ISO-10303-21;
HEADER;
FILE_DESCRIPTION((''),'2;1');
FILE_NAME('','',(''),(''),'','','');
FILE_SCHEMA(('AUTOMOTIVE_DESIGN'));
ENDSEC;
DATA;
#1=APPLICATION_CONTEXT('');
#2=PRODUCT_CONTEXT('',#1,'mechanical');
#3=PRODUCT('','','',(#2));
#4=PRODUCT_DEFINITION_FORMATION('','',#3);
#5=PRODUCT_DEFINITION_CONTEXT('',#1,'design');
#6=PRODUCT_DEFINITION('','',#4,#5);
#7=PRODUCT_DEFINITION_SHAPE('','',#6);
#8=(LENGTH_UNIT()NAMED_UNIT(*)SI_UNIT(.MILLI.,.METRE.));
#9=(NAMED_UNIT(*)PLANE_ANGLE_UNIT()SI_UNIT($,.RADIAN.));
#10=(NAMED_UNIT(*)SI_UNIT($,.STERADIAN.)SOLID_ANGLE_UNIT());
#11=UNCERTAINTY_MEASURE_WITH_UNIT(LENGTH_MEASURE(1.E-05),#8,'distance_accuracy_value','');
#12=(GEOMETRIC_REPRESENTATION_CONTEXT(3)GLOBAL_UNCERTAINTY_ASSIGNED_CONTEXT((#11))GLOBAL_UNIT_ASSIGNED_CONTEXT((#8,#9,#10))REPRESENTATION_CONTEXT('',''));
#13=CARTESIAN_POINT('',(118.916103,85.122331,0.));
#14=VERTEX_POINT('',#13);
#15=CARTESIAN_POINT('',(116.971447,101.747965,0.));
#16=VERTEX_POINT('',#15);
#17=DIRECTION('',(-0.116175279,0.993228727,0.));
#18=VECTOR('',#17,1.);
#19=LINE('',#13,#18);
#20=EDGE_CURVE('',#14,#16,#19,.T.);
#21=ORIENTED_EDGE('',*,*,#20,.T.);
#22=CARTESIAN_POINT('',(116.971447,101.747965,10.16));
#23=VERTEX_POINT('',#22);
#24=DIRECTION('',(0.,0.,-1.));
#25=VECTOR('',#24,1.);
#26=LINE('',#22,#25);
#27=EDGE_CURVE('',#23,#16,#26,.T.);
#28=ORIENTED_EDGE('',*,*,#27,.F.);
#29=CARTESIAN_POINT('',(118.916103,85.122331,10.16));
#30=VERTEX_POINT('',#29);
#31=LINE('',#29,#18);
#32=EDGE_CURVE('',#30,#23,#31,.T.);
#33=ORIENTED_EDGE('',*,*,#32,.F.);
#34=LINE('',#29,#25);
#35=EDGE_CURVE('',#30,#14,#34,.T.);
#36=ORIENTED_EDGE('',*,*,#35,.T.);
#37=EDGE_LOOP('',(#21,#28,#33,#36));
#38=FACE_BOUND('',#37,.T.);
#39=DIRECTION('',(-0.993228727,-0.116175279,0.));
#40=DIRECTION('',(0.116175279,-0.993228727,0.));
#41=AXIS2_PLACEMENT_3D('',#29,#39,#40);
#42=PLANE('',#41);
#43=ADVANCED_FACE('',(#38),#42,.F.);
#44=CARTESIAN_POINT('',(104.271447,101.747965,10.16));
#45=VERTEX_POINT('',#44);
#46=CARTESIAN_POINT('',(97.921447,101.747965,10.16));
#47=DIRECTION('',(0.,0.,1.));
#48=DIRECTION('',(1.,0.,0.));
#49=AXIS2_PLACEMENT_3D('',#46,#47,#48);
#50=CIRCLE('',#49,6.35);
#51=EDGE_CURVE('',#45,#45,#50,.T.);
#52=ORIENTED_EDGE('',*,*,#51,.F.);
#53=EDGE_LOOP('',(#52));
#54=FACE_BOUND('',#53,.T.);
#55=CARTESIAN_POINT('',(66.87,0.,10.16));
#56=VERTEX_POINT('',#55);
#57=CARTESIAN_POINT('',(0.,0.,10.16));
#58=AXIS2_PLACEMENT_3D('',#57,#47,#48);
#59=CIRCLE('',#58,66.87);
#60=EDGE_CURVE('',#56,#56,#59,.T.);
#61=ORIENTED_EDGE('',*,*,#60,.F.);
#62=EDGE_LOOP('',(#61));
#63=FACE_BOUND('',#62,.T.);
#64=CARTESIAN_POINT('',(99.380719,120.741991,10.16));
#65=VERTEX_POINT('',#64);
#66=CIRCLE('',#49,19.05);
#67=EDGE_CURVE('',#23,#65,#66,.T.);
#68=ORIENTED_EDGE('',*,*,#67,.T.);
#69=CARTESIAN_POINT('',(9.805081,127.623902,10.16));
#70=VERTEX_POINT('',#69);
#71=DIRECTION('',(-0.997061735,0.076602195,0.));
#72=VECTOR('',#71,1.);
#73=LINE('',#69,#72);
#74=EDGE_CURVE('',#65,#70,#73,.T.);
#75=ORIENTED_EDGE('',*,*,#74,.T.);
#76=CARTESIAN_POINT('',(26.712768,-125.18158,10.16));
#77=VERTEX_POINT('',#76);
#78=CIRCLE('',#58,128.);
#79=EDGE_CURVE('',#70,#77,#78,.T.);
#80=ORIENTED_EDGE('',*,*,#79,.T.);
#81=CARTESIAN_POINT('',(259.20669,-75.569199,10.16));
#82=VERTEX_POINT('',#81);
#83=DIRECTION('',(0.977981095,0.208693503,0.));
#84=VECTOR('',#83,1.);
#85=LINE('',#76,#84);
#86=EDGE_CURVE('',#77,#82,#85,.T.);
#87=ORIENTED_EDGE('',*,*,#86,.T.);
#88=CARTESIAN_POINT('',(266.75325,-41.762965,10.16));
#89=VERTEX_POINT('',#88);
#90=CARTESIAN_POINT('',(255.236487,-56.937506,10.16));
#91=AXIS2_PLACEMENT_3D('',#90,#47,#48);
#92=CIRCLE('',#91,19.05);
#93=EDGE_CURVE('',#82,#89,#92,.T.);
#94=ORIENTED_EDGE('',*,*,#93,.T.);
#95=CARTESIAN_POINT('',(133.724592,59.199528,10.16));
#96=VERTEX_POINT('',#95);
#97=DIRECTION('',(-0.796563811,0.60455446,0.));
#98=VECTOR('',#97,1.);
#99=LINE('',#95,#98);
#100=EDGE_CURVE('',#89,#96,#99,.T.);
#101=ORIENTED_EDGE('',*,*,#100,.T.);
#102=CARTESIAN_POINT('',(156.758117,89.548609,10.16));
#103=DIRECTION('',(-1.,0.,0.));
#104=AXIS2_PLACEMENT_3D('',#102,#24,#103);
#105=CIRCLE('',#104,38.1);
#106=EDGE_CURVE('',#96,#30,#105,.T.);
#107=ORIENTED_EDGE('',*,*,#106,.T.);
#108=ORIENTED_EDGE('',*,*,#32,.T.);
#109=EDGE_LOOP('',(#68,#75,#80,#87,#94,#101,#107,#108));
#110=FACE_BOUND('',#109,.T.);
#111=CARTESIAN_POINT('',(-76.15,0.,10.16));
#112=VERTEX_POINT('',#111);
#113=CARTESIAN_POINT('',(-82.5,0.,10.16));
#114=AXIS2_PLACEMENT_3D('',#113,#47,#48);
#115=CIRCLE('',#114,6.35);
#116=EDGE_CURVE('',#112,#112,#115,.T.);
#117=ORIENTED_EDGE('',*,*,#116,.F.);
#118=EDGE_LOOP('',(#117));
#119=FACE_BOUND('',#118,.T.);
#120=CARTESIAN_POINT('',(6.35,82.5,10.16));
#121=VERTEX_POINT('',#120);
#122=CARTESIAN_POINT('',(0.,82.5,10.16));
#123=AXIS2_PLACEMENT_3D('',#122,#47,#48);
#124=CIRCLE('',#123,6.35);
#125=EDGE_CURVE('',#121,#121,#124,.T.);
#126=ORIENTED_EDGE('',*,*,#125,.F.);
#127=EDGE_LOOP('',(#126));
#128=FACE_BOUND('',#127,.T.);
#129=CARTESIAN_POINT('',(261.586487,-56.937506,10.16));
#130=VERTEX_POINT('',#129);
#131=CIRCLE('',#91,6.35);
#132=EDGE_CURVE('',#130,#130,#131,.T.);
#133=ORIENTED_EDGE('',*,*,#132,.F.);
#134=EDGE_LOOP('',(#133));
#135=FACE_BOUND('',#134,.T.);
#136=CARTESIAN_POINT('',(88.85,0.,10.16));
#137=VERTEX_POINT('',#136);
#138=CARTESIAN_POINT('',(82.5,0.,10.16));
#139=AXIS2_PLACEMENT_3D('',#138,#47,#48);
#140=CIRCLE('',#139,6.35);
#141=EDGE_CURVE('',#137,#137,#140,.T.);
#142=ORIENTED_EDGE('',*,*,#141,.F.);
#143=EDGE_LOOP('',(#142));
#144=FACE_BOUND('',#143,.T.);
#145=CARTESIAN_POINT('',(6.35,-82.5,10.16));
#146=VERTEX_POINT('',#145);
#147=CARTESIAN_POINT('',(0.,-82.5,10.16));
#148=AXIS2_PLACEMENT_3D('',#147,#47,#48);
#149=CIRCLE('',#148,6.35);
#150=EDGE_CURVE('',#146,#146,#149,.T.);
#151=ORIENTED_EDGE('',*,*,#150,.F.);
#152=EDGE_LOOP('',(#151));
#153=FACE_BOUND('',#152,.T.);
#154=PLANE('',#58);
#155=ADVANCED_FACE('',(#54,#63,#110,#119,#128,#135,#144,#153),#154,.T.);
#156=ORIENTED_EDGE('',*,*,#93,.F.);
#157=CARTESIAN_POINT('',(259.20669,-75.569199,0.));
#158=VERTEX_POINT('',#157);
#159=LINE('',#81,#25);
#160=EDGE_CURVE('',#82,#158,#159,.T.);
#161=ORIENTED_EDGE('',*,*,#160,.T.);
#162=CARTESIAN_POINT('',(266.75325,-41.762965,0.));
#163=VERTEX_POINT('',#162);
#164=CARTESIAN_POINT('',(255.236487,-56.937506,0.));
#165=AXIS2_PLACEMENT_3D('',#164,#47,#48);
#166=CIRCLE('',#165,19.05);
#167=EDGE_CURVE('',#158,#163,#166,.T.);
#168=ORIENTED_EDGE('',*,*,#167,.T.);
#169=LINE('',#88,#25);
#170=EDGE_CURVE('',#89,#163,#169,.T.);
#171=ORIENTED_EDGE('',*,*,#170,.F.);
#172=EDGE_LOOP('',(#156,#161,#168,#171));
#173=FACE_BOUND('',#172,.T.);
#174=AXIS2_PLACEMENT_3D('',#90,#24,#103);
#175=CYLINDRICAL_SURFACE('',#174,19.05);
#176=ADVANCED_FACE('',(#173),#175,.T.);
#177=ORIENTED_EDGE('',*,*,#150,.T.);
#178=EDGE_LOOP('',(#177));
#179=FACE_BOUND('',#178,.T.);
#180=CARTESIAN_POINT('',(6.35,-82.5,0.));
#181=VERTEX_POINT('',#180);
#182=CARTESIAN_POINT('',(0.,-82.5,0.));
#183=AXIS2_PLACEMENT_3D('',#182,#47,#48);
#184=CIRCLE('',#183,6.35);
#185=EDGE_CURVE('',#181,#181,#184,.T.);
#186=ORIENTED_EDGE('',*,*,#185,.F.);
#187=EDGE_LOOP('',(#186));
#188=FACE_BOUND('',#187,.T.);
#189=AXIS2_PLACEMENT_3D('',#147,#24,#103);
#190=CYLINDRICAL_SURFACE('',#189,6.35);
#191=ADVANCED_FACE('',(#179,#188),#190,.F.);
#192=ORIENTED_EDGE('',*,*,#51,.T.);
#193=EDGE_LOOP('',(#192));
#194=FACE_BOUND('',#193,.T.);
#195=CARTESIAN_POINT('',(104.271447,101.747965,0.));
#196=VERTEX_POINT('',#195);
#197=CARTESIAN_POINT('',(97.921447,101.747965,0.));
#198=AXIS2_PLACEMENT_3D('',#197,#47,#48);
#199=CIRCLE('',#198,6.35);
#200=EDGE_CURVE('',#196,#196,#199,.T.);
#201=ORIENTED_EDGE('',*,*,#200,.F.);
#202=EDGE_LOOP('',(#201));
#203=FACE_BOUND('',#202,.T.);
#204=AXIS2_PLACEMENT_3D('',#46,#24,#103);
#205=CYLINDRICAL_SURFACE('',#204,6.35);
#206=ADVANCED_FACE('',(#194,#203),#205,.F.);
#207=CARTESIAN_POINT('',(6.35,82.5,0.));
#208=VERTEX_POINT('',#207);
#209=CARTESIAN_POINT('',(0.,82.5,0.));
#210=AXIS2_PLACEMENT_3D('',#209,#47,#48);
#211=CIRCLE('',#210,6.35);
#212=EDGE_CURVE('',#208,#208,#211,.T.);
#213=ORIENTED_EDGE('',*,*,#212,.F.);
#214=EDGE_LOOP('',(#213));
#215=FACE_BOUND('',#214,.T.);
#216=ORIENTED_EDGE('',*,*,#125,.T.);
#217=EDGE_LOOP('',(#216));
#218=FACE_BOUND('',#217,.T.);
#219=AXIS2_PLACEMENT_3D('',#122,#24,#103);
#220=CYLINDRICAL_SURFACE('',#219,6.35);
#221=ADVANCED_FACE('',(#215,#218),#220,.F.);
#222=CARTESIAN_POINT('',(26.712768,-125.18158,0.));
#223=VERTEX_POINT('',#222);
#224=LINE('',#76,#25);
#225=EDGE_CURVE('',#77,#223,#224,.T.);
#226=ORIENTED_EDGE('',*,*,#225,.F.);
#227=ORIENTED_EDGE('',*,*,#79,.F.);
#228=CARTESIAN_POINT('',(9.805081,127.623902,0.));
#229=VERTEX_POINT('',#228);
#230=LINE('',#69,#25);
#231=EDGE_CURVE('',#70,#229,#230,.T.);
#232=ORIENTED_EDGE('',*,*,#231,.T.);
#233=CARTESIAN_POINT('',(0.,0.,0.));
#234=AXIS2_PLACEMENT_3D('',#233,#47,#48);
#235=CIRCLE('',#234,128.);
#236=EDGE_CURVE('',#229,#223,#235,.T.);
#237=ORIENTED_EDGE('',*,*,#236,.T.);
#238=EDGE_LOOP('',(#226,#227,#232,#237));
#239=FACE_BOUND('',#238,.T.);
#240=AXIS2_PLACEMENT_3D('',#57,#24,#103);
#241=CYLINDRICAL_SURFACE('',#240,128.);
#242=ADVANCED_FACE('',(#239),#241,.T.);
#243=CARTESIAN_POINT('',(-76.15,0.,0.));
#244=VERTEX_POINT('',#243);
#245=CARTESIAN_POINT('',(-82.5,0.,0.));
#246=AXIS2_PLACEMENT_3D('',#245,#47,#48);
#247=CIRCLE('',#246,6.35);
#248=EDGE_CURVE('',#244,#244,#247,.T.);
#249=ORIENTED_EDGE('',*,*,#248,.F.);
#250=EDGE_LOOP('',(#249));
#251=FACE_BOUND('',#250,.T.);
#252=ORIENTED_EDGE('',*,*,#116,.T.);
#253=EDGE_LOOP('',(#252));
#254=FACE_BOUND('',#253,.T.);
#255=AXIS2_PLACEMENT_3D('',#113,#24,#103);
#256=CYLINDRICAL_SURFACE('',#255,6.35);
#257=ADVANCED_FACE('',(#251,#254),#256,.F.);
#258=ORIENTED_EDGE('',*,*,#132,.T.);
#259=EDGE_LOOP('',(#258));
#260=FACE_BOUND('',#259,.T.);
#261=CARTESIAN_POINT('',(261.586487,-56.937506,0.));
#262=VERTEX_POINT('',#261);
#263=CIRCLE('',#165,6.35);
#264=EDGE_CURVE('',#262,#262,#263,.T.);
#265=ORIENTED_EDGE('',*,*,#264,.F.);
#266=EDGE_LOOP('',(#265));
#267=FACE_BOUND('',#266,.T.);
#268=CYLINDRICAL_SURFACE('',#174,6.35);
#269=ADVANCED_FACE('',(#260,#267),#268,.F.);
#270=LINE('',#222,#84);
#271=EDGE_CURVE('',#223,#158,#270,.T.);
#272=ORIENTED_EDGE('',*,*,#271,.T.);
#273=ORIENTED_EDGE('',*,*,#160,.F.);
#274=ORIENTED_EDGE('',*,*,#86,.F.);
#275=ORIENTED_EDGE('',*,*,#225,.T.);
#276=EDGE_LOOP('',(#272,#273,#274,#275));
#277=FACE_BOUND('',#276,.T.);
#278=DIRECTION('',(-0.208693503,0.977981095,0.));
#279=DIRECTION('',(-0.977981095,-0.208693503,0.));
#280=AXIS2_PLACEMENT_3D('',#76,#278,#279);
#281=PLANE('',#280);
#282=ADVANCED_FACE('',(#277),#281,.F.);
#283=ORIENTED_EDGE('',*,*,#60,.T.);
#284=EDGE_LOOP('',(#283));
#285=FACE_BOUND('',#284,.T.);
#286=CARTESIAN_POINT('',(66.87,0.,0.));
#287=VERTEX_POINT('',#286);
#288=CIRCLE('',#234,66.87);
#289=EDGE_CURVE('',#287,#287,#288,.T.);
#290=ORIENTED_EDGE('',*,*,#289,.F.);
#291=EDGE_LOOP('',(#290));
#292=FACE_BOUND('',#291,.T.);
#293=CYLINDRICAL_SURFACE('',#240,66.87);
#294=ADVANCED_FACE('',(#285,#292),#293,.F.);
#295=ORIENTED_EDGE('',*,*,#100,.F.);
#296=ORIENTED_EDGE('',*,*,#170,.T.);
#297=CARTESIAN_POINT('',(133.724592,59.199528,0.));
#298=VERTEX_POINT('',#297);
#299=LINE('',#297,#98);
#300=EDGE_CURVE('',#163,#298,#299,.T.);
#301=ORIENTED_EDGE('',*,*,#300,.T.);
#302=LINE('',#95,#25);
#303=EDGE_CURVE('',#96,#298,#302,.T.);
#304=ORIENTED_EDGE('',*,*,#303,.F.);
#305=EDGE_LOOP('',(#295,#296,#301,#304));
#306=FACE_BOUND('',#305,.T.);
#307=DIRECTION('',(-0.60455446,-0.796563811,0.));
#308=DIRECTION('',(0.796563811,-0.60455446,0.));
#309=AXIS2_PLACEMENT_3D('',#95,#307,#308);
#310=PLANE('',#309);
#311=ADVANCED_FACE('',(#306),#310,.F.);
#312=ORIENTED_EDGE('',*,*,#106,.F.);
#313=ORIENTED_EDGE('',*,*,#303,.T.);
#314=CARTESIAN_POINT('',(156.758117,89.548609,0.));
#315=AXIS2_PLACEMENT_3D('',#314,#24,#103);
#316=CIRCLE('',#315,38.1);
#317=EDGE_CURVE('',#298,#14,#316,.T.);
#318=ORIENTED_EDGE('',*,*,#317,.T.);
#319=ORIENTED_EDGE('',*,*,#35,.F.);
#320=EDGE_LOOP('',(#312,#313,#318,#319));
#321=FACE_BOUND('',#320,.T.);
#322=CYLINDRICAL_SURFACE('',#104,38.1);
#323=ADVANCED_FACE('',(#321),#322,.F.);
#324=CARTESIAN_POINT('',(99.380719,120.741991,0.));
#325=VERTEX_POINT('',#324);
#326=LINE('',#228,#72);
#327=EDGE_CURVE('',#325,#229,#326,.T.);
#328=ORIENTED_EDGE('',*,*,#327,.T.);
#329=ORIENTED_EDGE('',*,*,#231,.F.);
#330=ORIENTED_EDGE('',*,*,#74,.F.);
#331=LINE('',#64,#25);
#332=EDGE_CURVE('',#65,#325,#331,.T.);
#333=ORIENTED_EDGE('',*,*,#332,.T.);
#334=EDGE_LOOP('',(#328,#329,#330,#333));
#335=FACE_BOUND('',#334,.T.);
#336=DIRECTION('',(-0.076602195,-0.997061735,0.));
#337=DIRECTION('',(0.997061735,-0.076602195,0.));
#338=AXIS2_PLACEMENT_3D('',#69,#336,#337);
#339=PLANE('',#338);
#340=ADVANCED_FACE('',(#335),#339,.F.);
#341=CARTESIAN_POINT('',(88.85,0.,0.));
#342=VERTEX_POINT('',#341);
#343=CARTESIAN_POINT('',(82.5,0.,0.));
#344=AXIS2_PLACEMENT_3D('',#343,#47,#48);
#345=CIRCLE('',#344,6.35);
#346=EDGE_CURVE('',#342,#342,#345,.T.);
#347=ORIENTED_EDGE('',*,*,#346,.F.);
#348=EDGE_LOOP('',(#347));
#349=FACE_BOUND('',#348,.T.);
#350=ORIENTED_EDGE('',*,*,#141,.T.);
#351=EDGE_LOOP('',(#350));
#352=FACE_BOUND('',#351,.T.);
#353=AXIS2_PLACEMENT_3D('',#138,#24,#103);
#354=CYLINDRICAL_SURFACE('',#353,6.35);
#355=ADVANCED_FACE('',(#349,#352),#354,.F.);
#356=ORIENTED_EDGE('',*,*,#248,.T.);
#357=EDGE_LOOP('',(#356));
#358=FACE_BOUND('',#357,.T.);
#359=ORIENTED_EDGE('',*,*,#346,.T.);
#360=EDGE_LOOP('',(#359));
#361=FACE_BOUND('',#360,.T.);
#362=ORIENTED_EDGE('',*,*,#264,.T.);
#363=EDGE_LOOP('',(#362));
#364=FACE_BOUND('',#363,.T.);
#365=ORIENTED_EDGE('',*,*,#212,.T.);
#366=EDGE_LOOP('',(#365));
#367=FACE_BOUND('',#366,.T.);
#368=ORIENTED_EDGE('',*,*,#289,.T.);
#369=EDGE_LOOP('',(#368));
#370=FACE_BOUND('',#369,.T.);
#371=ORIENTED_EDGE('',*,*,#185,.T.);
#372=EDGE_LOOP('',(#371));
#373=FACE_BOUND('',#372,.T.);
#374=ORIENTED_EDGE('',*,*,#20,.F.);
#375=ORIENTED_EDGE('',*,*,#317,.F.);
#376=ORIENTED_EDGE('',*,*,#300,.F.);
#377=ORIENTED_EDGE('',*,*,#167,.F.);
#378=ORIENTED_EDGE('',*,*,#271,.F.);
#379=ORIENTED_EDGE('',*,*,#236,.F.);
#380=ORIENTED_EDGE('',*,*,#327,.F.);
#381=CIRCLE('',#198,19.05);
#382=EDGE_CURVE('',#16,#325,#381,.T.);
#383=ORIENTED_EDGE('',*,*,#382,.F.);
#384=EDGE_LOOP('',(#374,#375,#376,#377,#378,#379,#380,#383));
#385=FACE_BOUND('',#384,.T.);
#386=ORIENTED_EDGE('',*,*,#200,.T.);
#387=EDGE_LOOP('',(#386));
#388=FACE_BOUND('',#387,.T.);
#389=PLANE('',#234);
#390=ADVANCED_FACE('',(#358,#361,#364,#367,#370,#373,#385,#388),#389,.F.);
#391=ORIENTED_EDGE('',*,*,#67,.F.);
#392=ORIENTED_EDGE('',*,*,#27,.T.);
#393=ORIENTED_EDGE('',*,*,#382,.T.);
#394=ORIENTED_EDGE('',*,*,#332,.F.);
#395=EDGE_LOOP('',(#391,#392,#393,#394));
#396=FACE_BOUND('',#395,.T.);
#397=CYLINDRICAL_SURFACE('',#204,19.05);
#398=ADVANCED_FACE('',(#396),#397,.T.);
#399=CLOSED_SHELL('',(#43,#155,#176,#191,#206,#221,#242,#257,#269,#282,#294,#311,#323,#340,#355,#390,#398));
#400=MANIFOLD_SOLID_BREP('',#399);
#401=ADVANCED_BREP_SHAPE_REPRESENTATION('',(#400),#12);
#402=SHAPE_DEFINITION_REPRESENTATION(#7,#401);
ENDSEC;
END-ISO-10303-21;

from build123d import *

# Parameters (mm, degrees)
SKETCH2_R           = 66.87
SKETCH2_R_2         = 6.35
BOSS_EXTRUDE1_DEPTH = 10.16


with BuildPart() as part:
    # Sketch2 → Boss-Extrude1 (new body)
    with BuildSketch(Plane.XY):
        with BuildLine():
            Line((26.712768377, -125.181580137), (259.206689864, -75.569198931))
            ThreePointArc((259.206689864, -75.569198931), (273.828874964, -61.087881293), (266.753249652, -41.762965146))
            Line((266.753249652, -41.762965146), (133.724592453, 59.199527533))
            ThreePointArc((133.724592453, 59.199527533), (123.675557689, 70.65008379), (118.916102857, 85.122330608))
            Line((118.916102857, 85.122330608), (116.971447392, 101.747964629))
            ThreePointArc((116.971447392, 101.747964629), (111.898242951, 114.692140381), (99.380719213, 120.741990683))
            Line((99.380719213, 120.741990683), (9.805081003, 127.623902097))
            ThreePointArc((9.805081003, 127.623902097), (-127.714687068, -8.541586927), (26.712768377, -125.181580137))
        make_face()
        Circle(SKETCH2_R, mode=Mode.SUBTRACT)
        with Locations((0, 82.5)):
            Circle(SKETCH2_R_2, mode=Mode.SUBTRACT)
        with Locations((-82.5, 0)):
            Circle(SKETCH2_R_2, mode=Mode.SUBTRACT)
        with Locations((0, -82.5)):
            Circle(SKETCH2_R_2, mode=Mode.SUBTRACT)
        with Locations((82.5, 0)):
            Circle(SKETCH2_R_2, mode=Mode.SUBTRACT)
        with Locations((255.236487197, -56.93750575)):
            Circle(SKETCH2_R_2, mode=Mode.SUBTRACT)
        with Locations((97.921447392, 101.747964629)):
            Circle(SKETCH2_R_2, mode=Mode.SUBTRACT)
    extrude(amount=BOSS_EXTRUDE1_DEPTH)


solid = part.part
